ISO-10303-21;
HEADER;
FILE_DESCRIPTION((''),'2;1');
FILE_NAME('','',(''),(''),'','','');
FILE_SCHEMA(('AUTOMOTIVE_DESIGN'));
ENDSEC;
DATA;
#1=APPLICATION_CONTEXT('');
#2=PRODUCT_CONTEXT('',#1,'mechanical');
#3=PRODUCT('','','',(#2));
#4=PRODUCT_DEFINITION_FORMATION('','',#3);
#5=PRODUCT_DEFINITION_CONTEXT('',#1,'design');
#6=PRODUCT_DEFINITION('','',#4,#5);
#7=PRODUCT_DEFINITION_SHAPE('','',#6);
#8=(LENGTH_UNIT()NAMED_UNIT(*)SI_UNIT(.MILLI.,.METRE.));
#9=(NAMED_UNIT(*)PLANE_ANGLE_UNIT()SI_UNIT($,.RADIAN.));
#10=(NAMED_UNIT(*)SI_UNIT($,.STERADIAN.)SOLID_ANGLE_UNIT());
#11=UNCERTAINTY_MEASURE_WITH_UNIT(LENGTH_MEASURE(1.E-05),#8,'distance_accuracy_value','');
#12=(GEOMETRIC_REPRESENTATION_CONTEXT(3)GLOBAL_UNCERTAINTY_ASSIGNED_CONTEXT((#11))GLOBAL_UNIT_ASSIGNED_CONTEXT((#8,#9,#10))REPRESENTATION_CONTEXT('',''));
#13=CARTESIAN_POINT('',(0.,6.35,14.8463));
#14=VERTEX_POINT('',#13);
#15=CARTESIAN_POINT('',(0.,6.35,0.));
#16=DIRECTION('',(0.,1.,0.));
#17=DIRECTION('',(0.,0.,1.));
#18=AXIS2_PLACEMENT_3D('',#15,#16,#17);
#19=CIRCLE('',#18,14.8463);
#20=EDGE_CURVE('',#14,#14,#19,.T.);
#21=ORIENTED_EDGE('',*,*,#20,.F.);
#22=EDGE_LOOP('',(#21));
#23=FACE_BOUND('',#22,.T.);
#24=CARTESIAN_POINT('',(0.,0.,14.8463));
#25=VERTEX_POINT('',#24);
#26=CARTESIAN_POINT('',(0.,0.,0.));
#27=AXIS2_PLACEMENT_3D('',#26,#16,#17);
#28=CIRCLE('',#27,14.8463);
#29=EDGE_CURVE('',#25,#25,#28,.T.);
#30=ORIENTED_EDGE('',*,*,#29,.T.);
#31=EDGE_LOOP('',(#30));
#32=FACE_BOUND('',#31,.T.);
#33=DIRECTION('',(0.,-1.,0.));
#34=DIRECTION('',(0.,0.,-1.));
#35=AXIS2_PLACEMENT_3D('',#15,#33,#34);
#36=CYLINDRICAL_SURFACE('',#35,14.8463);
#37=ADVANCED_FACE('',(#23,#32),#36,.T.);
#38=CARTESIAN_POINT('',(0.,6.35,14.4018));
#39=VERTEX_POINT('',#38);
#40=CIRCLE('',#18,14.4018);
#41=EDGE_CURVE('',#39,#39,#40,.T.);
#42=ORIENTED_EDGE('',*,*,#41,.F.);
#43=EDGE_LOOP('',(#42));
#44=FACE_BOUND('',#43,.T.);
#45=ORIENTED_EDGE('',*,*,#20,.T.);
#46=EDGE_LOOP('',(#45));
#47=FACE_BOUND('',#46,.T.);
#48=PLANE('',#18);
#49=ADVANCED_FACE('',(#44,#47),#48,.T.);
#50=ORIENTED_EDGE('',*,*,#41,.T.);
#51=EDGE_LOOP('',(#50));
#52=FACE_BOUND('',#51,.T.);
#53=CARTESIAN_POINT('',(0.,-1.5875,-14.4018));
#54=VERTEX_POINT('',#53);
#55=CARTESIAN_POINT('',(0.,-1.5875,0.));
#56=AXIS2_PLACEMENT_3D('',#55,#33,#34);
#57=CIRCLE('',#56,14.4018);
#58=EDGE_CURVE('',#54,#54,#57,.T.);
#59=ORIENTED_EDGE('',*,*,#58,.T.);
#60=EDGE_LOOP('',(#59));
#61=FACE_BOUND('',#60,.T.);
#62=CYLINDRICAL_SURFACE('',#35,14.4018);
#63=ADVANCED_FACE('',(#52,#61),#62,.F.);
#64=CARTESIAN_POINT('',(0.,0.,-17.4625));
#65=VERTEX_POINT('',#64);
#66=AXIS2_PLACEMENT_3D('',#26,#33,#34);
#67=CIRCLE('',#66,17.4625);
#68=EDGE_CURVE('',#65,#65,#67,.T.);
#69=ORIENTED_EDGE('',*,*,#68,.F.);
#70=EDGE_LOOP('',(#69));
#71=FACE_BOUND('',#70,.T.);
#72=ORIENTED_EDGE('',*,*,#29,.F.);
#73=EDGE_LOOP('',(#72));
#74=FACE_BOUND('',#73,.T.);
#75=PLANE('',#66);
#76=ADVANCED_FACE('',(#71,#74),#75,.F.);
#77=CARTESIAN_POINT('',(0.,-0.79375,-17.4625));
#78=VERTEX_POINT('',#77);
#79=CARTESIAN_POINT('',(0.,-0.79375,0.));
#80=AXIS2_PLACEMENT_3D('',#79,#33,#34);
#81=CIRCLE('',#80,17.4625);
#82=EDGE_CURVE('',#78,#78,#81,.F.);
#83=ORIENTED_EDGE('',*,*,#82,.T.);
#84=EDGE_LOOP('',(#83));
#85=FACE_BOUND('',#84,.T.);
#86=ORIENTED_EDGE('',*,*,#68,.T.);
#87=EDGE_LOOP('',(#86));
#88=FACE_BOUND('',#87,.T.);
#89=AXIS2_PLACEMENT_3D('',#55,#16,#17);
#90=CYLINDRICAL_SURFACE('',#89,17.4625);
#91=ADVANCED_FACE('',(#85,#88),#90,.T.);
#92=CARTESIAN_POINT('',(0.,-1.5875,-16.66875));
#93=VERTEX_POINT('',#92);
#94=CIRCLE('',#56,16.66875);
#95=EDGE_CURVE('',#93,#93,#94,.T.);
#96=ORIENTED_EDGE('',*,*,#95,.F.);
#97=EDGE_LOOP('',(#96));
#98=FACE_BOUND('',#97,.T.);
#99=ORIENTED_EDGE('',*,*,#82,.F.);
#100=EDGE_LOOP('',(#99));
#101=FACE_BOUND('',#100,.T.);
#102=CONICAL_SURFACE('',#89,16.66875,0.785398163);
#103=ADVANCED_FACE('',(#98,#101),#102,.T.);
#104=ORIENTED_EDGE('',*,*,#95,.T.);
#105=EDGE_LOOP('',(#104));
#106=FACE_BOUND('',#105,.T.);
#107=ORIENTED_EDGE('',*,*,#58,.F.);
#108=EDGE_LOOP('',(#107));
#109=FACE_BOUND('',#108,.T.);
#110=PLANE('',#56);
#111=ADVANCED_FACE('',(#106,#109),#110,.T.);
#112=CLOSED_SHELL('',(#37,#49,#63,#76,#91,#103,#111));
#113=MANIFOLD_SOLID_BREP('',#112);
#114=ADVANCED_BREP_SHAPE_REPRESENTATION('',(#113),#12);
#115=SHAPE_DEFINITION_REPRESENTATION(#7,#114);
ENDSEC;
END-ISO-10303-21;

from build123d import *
from build123d.topology import SkipClean

# Parameters (mm, degrees)
SKETCH1_R           = 14.8463
SKETCH1_R_2         = 14.4018
BOSS_EXTRUDE1_DEPTH = 6.35
BOSS_EXTRUDE2_START = 1.5875
SKETCH2_R           = 17.4625
SKETCH2_R_2         = 14.4018
BOSS_EXTRUDE2_DEPTH = 1.5875
CHAMFER2_SIZE       = 0.79375


with BuildPart() as part:
    # Sketch1 → Boss-Extrude1 (new body)
    with BuildSketch(Plane(origin=(0, 0, 0), x_dir=(1, 0, 0), z_dir=(0, 1, 0))):
        with Locations(Location((0, 0, 0), (0, 0, 270))):
            Circle(SKETCH1_R)
        with Locations(Location((0, 0, 0), (0, 0, 270))):
            Circle(SKETCH1_R_2, mode=Mode.SUBTRACT)
    extrude(amount=BOSS_EXTRUDE1_DEPTH)

    # Sketch2 → Boss-Extrude2 (add)
    with SkipClean():  # the faces are left unmerged after this step: merging them gives an invalid solid
        with BuildSketch(Plane.XZ.offset(BOSS_EXTRUDE2_START)):
            with Locations(Location((0, 0, 0), (0, 0, 270))):
                Circle(SKETCH2_R)
            with Locations(Location((0, 0, 0), (0, 0, 270))):
                Circle(SKETCH2_R_2, mode=Mode.SUBTRACT)
        extrude(amount=-BOSS_EXTRUDE2_DEPTH)

    # Chamfer2
    chamfer2_edges = [part.edges().sort_by_distance(p)[0] for p in [
        (0, -1.5875, 17.4625),
    ]]
    chamfer(chamfer2_edges, length=CHAMFER2_SIZE)


solid = part.part
